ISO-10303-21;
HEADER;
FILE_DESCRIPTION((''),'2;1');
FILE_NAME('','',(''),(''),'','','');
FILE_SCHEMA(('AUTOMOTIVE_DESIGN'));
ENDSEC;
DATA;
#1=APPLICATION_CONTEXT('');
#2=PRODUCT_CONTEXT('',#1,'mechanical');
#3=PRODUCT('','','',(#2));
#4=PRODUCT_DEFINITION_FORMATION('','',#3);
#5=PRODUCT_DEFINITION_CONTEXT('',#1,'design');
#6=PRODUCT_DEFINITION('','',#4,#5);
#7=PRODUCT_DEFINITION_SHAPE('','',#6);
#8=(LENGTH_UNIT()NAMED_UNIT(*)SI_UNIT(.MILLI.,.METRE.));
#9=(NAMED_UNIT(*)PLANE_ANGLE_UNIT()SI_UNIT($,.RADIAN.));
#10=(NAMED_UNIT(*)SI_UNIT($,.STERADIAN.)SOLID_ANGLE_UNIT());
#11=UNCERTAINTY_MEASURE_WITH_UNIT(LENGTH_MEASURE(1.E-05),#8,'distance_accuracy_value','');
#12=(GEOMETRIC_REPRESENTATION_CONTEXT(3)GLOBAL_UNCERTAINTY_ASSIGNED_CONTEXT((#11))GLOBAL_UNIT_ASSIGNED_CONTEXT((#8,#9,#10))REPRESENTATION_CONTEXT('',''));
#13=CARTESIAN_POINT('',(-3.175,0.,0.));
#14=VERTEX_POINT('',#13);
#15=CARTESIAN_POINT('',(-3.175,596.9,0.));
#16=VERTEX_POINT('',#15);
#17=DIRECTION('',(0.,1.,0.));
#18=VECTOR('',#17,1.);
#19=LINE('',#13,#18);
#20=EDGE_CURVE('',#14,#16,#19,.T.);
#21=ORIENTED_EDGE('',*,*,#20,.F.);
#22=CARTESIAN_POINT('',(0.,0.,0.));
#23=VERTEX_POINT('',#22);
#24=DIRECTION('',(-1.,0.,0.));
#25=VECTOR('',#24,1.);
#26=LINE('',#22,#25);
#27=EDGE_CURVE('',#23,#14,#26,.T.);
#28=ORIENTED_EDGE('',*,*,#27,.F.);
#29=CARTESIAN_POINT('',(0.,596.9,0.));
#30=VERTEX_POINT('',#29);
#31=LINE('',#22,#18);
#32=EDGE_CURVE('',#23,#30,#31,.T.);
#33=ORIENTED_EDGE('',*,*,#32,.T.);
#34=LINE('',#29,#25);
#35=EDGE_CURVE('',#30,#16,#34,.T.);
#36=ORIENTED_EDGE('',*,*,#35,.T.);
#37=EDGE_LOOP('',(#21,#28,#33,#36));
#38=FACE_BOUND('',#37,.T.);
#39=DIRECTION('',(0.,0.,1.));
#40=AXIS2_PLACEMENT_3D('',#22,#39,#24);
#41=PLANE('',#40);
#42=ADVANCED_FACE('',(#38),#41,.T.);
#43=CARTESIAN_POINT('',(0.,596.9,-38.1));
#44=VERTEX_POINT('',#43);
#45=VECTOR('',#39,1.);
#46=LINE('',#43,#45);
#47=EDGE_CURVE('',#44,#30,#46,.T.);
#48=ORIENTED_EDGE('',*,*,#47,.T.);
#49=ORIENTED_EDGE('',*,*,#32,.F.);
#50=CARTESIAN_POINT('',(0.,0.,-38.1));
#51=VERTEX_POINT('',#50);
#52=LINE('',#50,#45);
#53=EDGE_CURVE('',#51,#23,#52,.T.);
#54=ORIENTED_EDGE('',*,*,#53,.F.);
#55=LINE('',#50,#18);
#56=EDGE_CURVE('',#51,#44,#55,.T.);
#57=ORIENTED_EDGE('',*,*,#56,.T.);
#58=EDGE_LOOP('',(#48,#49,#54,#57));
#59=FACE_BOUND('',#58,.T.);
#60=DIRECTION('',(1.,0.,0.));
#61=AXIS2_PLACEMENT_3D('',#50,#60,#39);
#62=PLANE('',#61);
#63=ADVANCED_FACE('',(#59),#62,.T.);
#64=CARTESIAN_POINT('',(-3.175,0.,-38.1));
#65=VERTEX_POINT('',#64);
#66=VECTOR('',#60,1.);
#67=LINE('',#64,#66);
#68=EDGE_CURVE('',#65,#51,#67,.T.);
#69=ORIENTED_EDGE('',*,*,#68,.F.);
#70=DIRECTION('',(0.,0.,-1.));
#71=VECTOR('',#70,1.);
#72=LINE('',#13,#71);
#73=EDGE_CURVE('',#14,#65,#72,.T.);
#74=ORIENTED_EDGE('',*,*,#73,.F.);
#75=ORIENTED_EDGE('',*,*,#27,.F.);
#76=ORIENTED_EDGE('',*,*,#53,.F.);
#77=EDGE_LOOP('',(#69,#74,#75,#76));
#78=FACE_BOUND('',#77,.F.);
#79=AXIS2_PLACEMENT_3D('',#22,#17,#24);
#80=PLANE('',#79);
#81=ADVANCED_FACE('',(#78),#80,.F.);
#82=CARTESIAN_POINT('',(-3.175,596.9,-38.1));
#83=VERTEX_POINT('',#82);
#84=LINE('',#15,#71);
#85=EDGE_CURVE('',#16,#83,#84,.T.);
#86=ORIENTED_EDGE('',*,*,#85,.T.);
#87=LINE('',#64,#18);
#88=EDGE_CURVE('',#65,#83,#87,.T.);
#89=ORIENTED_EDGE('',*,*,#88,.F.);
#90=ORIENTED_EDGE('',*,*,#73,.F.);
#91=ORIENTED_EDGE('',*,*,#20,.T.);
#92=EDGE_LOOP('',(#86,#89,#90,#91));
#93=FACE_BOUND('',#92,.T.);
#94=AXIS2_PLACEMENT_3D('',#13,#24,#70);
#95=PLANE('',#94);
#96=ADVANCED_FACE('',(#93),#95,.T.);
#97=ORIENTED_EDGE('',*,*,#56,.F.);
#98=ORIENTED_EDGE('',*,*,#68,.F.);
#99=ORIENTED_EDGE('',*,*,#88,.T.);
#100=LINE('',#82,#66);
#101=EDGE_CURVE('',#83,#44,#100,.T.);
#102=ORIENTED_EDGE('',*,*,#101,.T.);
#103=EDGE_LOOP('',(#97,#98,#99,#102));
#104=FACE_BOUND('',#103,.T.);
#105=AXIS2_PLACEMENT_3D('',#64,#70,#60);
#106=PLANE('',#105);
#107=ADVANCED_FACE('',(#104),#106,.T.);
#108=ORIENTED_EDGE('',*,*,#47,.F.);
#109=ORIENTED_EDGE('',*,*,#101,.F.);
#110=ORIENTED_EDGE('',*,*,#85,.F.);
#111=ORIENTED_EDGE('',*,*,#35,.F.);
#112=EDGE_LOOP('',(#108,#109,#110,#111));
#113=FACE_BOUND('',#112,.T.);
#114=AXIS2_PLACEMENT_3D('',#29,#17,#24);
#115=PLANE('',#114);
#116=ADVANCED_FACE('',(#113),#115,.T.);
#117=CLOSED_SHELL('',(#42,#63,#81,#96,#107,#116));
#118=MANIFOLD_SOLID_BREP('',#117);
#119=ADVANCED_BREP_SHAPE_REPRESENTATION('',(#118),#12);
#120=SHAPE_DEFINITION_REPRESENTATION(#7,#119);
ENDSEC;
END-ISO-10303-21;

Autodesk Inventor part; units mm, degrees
ref_plane "YZ Plane" through (0, 0, 0) normal (1, 0, 0) x (0, 1, 0)
ref_plane "XZ Plane" through (0, 0, 0) normal (0, 1, 0) x (-1, 0, 0)
ref_plane "XY Plane" through (0, 0, 0) normal (0, 0, 1) x (1, 0, 0)
sketch "Sketch1" plane through (0, 0, 0) normal (0, 1, 0) x (-1, 0, 0)
  line L0 (0, 0) -> (3.175, 0)
  line L1 (3.175, 0) -> (3.175, -38.1)
  line L2 (3.175, -38.1) -> (0, -38.1)
  line L3 (0, -38.1) -> (0, 0)
  dimension "d0" = 3.175
  dimension "d1" = 38.1
extrude "Extrusion1" add sketch "Sketch1" along normal blind 596.9
properties part number "Bar_2-ft"
